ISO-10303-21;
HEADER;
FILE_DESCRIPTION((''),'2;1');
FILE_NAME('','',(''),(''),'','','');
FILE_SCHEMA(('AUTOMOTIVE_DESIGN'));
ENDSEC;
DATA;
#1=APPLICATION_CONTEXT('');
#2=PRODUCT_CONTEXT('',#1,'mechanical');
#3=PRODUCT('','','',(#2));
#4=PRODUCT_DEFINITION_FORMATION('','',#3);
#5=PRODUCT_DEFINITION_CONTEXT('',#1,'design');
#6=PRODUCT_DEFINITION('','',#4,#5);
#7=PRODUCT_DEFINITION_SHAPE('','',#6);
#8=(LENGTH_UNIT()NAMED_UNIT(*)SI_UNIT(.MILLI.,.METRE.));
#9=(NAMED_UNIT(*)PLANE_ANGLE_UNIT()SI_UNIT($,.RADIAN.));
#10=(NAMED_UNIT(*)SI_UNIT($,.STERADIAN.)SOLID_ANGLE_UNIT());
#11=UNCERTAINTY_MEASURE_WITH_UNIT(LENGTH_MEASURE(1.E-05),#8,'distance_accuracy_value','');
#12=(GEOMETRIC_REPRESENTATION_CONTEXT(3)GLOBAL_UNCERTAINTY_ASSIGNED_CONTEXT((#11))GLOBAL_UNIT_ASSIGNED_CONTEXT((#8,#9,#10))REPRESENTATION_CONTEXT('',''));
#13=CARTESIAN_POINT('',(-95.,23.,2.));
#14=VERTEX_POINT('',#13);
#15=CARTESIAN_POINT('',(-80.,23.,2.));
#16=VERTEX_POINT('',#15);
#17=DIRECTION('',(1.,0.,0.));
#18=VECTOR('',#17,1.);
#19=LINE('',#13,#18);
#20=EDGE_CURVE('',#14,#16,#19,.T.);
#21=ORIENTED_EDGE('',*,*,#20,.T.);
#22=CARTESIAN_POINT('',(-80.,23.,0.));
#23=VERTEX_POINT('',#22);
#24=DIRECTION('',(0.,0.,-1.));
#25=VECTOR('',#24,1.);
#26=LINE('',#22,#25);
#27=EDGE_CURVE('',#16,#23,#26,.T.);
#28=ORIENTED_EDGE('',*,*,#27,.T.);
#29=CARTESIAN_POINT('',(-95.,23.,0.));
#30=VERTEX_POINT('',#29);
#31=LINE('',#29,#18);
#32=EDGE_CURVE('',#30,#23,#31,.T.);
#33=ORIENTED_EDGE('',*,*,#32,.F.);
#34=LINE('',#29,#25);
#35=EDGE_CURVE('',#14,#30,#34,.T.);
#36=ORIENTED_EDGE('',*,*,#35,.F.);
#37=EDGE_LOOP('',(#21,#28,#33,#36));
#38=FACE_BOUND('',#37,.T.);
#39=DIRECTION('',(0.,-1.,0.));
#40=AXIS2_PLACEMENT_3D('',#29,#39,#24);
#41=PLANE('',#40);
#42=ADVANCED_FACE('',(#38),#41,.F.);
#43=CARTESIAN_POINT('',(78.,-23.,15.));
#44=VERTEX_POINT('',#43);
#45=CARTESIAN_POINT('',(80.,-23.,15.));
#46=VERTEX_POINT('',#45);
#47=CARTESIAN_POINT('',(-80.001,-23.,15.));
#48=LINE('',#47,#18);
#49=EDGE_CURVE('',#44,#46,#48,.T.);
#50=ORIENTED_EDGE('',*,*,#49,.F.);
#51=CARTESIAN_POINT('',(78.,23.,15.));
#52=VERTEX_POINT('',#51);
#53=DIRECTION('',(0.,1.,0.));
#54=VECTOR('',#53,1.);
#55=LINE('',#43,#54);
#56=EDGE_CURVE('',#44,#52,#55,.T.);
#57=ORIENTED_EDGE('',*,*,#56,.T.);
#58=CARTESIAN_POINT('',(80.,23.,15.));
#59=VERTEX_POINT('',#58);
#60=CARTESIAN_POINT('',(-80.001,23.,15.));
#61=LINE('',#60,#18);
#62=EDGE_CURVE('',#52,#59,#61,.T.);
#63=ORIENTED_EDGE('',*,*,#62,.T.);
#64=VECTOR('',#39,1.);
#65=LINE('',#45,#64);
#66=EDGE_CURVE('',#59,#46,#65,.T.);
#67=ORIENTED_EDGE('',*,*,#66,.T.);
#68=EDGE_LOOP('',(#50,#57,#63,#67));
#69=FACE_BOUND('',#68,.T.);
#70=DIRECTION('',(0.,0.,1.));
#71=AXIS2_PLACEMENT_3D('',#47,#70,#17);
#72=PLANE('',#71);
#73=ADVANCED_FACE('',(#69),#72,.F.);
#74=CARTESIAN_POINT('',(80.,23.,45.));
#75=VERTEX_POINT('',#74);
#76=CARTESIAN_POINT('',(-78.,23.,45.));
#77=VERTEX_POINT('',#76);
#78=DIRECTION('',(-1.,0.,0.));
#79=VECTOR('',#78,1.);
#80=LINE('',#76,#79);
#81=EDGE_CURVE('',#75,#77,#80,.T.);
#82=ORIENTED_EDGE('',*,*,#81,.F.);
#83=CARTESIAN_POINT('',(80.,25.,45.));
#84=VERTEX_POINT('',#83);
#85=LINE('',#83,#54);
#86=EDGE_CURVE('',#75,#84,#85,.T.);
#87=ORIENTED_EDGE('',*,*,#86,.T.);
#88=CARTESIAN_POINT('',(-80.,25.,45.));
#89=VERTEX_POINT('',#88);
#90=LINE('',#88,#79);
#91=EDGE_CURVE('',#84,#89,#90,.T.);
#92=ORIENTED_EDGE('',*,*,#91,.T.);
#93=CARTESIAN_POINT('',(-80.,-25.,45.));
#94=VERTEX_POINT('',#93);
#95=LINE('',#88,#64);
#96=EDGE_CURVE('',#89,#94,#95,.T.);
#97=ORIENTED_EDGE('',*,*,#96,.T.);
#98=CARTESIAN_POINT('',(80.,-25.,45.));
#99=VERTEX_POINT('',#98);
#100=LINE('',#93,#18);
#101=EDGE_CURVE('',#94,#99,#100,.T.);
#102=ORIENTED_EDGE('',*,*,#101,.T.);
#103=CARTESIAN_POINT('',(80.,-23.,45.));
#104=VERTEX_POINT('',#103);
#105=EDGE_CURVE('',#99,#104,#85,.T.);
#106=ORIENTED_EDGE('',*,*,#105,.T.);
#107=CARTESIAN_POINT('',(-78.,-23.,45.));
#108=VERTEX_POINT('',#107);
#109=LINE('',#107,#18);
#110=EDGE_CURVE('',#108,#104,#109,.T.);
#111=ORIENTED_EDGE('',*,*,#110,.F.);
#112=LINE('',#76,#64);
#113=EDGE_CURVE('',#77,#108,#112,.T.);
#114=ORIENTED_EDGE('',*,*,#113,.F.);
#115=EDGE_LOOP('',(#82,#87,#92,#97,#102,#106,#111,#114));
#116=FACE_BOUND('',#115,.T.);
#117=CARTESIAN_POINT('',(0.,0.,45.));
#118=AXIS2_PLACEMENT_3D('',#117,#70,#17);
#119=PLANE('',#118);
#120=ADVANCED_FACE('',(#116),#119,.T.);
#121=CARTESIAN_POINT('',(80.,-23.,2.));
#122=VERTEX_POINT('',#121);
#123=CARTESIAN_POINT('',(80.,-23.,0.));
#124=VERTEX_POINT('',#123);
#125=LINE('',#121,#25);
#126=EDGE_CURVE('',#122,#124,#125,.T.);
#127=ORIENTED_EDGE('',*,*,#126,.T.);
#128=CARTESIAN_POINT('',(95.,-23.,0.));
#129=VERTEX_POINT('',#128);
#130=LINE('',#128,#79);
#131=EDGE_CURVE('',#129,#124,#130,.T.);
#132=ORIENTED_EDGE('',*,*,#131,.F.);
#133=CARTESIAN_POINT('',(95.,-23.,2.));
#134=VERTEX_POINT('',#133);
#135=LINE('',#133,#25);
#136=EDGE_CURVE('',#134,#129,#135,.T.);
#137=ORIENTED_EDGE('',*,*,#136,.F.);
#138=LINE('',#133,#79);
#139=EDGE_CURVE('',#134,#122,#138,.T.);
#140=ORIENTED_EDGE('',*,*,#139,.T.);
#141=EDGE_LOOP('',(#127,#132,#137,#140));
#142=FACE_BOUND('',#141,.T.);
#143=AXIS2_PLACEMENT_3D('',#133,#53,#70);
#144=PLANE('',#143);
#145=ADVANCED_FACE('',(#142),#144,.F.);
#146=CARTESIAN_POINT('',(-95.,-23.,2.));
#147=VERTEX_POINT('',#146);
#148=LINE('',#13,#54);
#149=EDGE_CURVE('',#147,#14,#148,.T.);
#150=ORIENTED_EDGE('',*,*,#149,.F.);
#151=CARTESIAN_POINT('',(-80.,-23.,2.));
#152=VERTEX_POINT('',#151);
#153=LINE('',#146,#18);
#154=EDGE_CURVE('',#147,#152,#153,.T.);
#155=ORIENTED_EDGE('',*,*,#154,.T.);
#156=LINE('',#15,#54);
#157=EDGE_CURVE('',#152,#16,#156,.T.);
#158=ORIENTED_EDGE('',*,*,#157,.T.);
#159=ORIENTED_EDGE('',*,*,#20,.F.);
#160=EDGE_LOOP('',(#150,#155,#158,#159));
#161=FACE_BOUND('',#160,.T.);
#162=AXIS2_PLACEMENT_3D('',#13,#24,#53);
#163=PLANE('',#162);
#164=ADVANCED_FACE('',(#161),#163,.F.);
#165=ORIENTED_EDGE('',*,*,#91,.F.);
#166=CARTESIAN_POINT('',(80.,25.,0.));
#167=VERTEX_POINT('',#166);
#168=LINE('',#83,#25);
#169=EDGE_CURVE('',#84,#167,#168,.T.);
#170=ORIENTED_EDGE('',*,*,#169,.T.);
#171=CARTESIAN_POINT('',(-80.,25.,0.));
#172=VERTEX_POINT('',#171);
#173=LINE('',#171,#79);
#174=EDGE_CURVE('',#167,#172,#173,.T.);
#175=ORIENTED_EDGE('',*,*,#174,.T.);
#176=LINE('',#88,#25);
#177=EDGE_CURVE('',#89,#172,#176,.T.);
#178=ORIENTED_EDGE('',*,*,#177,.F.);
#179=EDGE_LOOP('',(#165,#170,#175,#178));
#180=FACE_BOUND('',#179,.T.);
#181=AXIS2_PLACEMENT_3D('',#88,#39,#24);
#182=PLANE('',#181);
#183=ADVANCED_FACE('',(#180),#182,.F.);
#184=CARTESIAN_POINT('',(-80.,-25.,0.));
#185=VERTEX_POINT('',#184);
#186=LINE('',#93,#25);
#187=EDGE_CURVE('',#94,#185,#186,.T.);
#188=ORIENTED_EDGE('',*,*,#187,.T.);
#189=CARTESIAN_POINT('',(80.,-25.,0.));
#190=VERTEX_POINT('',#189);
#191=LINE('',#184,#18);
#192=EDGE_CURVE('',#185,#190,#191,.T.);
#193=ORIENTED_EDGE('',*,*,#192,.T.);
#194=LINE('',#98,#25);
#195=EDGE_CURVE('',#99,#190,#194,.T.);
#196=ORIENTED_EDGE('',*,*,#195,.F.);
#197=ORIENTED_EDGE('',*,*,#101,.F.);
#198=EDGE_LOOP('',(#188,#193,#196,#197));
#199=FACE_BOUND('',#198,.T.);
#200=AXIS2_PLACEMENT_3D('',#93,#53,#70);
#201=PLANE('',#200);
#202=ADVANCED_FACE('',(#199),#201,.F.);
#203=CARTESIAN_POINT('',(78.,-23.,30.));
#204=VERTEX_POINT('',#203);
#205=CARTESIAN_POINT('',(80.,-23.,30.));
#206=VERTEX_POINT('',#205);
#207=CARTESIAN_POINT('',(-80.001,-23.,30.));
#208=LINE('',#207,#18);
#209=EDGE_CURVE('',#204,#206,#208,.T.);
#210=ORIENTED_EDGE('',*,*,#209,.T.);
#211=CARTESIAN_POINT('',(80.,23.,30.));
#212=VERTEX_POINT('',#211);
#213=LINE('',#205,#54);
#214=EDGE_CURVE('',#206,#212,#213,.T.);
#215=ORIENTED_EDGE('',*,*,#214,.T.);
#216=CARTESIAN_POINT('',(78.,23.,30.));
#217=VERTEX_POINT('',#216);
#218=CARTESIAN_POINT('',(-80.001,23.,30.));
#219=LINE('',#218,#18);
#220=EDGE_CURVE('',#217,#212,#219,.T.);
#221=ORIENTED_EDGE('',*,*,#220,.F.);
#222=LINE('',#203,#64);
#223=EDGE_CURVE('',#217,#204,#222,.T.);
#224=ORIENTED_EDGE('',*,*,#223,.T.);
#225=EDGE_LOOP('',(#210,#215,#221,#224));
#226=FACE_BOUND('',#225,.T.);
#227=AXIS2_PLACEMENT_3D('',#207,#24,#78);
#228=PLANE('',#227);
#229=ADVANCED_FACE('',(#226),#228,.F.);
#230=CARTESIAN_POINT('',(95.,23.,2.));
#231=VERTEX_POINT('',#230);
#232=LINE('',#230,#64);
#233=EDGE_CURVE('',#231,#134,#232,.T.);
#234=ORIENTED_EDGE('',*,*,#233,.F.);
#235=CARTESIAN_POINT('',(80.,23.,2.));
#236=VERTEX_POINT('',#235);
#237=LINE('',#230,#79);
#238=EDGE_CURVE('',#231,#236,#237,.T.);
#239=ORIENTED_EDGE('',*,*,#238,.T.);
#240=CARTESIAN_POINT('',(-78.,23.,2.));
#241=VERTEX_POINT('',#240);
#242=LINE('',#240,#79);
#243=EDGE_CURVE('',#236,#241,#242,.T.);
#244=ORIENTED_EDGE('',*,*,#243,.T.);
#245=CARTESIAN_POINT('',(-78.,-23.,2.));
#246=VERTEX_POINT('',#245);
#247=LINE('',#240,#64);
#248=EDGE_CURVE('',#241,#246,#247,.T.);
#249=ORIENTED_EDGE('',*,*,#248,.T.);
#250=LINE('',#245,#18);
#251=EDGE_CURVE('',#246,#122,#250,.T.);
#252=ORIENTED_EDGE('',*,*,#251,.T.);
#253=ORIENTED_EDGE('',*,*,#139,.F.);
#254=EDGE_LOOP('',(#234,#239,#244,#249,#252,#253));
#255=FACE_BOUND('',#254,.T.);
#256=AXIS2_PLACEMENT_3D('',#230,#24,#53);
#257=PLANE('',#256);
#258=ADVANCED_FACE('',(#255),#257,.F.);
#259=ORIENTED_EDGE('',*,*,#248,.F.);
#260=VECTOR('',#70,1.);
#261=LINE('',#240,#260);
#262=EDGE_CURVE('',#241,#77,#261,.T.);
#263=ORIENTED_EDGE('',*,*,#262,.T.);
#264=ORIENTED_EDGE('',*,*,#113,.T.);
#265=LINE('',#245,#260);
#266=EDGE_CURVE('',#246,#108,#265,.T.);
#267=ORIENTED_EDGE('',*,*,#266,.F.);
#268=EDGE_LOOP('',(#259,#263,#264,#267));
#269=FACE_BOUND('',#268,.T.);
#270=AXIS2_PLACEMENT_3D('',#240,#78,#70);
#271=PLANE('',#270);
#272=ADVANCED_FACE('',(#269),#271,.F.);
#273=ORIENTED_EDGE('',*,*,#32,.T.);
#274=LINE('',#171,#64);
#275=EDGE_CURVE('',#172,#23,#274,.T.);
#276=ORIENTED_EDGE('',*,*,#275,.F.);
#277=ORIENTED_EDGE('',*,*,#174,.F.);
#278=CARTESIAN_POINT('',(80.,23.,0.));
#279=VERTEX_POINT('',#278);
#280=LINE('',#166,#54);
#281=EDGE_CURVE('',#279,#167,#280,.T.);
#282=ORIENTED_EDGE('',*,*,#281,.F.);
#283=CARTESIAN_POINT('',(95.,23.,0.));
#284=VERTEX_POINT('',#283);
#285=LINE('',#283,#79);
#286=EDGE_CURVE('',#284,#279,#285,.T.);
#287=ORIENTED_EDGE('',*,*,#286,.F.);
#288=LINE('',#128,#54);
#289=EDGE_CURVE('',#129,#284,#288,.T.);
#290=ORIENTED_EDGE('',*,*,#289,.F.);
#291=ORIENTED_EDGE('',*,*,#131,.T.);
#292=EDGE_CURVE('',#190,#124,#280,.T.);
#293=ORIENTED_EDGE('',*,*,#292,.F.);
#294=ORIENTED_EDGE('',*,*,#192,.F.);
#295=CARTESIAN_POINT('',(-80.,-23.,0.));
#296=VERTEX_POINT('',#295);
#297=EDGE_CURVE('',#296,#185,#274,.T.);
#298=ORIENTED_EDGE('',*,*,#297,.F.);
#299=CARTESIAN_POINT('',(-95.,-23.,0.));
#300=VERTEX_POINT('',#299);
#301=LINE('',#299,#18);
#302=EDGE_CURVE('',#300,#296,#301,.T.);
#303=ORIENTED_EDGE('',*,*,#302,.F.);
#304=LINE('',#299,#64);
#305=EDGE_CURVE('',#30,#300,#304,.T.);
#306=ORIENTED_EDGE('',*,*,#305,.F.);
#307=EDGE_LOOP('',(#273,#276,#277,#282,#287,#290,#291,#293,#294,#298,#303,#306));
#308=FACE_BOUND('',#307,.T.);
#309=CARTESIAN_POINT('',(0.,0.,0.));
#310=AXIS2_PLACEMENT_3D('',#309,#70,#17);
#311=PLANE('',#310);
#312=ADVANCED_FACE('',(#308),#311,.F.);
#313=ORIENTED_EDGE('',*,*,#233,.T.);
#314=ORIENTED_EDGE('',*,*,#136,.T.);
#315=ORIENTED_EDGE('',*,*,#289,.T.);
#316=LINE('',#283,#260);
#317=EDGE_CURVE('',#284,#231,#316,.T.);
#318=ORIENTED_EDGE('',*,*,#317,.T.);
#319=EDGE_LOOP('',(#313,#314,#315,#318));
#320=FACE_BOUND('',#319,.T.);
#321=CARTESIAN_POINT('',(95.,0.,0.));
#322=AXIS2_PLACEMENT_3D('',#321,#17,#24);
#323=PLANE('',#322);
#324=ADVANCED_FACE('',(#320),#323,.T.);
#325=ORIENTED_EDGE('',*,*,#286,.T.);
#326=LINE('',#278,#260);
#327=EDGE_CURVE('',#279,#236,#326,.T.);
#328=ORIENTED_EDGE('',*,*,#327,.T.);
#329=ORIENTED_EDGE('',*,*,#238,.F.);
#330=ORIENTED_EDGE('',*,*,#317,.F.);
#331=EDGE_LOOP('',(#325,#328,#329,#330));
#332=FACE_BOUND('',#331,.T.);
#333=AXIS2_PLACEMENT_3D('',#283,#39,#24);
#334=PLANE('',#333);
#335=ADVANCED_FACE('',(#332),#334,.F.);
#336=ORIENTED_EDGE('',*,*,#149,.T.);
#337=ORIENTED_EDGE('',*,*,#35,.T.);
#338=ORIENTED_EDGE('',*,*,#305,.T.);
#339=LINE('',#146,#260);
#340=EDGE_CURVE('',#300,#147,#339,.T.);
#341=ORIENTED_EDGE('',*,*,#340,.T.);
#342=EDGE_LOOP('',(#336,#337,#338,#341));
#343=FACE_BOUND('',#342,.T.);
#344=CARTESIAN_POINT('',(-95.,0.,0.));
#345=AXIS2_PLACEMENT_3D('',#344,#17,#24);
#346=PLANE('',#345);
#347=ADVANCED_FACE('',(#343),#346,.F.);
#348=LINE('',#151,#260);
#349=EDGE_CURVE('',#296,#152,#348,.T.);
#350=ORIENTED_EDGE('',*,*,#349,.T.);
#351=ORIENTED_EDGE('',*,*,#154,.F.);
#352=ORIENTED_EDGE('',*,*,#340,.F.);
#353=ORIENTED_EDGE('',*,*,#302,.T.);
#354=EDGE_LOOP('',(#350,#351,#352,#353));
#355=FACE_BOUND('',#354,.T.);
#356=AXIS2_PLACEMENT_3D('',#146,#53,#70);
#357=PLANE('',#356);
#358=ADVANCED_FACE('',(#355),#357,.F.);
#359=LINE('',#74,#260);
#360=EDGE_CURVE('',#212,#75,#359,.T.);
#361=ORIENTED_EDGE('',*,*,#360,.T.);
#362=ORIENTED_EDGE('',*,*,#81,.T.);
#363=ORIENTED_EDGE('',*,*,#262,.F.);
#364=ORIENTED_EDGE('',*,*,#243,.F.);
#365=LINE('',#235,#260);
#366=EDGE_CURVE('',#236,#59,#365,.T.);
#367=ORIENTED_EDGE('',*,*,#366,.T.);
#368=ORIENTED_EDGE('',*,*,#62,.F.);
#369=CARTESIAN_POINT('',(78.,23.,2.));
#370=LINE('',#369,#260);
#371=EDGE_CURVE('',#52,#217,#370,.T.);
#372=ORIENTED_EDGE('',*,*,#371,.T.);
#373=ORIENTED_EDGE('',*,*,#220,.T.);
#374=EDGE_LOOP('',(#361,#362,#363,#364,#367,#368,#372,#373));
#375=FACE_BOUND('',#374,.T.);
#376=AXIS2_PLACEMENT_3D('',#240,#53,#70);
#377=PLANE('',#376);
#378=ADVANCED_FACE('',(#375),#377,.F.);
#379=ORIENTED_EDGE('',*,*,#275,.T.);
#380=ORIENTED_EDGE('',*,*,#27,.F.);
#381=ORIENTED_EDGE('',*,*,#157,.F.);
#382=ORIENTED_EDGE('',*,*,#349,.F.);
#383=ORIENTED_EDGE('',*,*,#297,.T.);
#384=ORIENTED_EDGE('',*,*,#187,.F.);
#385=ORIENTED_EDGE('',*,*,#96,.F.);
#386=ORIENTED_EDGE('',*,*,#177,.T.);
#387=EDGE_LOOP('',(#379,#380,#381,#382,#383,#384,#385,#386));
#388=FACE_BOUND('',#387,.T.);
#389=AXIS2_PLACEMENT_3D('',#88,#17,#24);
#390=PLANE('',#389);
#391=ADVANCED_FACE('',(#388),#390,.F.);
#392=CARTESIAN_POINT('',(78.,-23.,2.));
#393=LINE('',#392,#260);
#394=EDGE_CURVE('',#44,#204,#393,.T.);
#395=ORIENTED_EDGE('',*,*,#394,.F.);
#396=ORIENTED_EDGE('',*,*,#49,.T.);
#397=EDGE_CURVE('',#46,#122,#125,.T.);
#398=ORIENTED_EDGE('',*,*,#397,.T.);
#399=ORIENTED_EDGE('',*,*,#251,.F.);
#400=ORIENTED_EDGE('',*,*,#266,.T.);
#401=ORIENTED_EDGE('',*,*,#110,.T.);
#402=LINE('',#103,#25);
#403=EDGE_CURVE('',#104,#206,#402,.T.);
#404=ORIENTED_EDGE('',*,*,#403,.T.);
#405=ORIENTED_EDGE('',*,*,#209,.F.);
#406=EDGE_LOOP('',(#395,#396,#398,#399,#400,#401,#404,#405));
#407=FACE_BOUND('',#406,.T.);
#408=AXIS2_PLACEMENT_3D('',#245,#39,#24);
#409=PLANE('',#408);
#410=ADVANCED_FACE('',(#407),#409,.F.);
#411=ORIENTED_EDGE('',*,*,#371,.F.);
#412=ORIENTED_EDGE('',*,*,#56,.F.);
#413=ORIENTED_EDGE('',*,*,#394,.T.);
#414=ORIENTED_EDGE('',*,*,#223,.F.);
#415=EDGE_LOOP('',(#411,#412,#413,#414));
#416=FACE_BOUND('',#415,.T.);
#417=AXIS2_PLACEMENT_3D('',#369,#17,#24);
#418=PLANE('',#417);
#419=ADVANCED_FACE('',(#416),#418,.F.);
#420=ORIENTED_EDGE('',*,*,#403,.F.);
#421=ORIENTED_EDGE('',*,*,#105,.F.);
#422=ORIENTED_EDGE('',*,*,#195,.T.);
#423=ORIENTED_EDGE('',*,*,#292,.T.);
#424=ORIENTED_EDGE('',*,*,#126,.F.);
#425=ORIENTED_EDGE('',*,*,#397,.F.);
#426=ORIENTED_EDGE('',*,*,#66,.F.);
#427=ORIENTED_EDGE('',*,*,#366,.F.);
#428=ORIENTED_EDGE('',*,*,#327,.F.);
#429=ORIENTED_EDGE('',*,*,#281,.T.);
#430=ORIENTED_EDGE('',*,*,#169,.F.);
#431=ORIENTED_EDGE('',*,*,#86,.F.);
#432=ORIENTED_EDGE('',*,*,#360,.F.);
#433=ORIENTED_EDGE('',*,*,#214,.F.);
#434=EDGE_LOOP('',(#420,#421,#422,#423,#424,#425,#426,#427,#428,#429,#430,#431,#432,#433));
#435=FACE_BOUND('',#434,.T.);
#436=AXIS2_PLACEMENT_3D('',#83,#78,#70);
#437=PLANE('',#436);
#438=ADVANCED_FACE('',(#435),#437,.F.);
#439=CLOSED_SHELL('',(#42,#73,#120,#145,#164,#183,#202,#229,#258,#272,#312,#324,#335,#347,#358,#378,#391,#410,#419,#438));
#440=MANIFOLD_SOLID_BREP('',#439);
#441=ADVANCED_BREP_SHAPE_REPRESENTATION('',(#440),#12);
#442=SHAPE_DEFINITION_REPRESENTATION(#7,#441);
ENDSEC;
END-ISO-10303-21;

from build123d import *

# Parameters (mm, degrees)
ESBO_O1_W                = 160
ESBO_O1_H                = 50
RESSALTO_EXTRUS_O1_DEPTH = 45
ESBO_O3_W                = 2
ESBO_O3_H                = 46
RESSALTO_EXTRUS_O2_DEPTH = 15
ESBO_O9_W                = 156
ESBO_O9_H                = 46
CORTE_EXTRUS_O2_DEPTH    = 43
CORTE_EXTRUS_O3_REACH    = 162
ESBO_O10_W               = 15
ESBO_O10_H               = 46
ESBO_O10_W_2             = 13
ESBO_O11_W               = 2
ESBO_O11_H               = 46
RESSALTO_EXTRUS_O6_DEPTH = 15


with BuildPart() as part:
    # Esboço1 → Ressalto-extrusão1 (new body)
    with BuildSketch(Plane.XY):
        Rectangle(ESBO_O1_W, ESBO_O1_H)
    extrude(amount=RESSALTO_EXTRUS_O1_DEPTH)

    # Esboço3 → Ressalto-extrusão2 (add)
    with BuildSketch(Plane(origin=(80, 0, 0), x_dir=(0, 0, -1), z_dir=(1, 0, 0))):
        with Locations((-1, 0)):
            Rectangle(ESBO_O3_W, ESBO_O3_H)
    extrude(amount=RESSALTO_EXTRUS_O2_DEPTH)

    # Esboço9 → Corte-extrusão2 (cut)
    with BuildSketch(Plane.XY.offset(45)):
        Rectangle(ESBO_O9_W, ESBO_O9_H)
    extrude(amount=-CORTE_EXTRUS_O2_DEPTH, mode=Mode.SUBTRACT)

    # Esboço10 → Corte-extrusão3 (cut, up to next)
    with BuildSketch(Plane(origin=(80, 0, 0), x_dir=(0, 0, -1), z_dir=(1, 0, 0)), mode=Mode.PRIVATE) as corte_extrus_o3_sk1:
        with Locations((-37.5, 0)):
            Rectangle(ESBO_O10_W, ESBO_O10_H)
    corte_extrus_o3_tool1 = extrude(corte_extrus_o3_sk1.sketch, amount=-CORTE_EXTRUS_O3_REACH, mode=Mode.PRIVATE) & part.part
    add(corte_extrus_o3_tool1.solids().sort_by_distance((80, 0, 37.5))[0], mode=Mode.SUBTRACT)
    # Esboço10 → Corte-extrusão3 (cut, up to next)
    with BuildSketch(Plane(origin=(80, 0, 0), x_dir=(0, 0, -1), z_dir=(1, 0, 0)), mode=Mode.PRIVATE) as corte_extrus_o3_sk2:
        with Locations((-8.5, 0)):
            Rectangle(ESBO_O10_W_2, ESBO_O10_H)
    corte_extrus_o3_tool2 = extrude(corte_extrus_o3_sk2.sketch, amount=-CORTE_EXTRUS_O3_REACH, mode=Mode.PRIVATE) & part.part
    add(corte_extrus_o3_tool2.solids().sort_by_distance((80, 0, 8.5))[0], mode=Mode.SUBTRACT)

    # Esboço11 → Ressalto-extrusão6 (add)
    with BuildSketch(Plane.ZY.offset(80)):
        with Locations((1, 0)):
            Rectangle(ESBO_O11_W, ESBO_O11_H)
    extrude(amount=RESSALTO_EXTRUS_O6_DEPTH)


solid = part.part
